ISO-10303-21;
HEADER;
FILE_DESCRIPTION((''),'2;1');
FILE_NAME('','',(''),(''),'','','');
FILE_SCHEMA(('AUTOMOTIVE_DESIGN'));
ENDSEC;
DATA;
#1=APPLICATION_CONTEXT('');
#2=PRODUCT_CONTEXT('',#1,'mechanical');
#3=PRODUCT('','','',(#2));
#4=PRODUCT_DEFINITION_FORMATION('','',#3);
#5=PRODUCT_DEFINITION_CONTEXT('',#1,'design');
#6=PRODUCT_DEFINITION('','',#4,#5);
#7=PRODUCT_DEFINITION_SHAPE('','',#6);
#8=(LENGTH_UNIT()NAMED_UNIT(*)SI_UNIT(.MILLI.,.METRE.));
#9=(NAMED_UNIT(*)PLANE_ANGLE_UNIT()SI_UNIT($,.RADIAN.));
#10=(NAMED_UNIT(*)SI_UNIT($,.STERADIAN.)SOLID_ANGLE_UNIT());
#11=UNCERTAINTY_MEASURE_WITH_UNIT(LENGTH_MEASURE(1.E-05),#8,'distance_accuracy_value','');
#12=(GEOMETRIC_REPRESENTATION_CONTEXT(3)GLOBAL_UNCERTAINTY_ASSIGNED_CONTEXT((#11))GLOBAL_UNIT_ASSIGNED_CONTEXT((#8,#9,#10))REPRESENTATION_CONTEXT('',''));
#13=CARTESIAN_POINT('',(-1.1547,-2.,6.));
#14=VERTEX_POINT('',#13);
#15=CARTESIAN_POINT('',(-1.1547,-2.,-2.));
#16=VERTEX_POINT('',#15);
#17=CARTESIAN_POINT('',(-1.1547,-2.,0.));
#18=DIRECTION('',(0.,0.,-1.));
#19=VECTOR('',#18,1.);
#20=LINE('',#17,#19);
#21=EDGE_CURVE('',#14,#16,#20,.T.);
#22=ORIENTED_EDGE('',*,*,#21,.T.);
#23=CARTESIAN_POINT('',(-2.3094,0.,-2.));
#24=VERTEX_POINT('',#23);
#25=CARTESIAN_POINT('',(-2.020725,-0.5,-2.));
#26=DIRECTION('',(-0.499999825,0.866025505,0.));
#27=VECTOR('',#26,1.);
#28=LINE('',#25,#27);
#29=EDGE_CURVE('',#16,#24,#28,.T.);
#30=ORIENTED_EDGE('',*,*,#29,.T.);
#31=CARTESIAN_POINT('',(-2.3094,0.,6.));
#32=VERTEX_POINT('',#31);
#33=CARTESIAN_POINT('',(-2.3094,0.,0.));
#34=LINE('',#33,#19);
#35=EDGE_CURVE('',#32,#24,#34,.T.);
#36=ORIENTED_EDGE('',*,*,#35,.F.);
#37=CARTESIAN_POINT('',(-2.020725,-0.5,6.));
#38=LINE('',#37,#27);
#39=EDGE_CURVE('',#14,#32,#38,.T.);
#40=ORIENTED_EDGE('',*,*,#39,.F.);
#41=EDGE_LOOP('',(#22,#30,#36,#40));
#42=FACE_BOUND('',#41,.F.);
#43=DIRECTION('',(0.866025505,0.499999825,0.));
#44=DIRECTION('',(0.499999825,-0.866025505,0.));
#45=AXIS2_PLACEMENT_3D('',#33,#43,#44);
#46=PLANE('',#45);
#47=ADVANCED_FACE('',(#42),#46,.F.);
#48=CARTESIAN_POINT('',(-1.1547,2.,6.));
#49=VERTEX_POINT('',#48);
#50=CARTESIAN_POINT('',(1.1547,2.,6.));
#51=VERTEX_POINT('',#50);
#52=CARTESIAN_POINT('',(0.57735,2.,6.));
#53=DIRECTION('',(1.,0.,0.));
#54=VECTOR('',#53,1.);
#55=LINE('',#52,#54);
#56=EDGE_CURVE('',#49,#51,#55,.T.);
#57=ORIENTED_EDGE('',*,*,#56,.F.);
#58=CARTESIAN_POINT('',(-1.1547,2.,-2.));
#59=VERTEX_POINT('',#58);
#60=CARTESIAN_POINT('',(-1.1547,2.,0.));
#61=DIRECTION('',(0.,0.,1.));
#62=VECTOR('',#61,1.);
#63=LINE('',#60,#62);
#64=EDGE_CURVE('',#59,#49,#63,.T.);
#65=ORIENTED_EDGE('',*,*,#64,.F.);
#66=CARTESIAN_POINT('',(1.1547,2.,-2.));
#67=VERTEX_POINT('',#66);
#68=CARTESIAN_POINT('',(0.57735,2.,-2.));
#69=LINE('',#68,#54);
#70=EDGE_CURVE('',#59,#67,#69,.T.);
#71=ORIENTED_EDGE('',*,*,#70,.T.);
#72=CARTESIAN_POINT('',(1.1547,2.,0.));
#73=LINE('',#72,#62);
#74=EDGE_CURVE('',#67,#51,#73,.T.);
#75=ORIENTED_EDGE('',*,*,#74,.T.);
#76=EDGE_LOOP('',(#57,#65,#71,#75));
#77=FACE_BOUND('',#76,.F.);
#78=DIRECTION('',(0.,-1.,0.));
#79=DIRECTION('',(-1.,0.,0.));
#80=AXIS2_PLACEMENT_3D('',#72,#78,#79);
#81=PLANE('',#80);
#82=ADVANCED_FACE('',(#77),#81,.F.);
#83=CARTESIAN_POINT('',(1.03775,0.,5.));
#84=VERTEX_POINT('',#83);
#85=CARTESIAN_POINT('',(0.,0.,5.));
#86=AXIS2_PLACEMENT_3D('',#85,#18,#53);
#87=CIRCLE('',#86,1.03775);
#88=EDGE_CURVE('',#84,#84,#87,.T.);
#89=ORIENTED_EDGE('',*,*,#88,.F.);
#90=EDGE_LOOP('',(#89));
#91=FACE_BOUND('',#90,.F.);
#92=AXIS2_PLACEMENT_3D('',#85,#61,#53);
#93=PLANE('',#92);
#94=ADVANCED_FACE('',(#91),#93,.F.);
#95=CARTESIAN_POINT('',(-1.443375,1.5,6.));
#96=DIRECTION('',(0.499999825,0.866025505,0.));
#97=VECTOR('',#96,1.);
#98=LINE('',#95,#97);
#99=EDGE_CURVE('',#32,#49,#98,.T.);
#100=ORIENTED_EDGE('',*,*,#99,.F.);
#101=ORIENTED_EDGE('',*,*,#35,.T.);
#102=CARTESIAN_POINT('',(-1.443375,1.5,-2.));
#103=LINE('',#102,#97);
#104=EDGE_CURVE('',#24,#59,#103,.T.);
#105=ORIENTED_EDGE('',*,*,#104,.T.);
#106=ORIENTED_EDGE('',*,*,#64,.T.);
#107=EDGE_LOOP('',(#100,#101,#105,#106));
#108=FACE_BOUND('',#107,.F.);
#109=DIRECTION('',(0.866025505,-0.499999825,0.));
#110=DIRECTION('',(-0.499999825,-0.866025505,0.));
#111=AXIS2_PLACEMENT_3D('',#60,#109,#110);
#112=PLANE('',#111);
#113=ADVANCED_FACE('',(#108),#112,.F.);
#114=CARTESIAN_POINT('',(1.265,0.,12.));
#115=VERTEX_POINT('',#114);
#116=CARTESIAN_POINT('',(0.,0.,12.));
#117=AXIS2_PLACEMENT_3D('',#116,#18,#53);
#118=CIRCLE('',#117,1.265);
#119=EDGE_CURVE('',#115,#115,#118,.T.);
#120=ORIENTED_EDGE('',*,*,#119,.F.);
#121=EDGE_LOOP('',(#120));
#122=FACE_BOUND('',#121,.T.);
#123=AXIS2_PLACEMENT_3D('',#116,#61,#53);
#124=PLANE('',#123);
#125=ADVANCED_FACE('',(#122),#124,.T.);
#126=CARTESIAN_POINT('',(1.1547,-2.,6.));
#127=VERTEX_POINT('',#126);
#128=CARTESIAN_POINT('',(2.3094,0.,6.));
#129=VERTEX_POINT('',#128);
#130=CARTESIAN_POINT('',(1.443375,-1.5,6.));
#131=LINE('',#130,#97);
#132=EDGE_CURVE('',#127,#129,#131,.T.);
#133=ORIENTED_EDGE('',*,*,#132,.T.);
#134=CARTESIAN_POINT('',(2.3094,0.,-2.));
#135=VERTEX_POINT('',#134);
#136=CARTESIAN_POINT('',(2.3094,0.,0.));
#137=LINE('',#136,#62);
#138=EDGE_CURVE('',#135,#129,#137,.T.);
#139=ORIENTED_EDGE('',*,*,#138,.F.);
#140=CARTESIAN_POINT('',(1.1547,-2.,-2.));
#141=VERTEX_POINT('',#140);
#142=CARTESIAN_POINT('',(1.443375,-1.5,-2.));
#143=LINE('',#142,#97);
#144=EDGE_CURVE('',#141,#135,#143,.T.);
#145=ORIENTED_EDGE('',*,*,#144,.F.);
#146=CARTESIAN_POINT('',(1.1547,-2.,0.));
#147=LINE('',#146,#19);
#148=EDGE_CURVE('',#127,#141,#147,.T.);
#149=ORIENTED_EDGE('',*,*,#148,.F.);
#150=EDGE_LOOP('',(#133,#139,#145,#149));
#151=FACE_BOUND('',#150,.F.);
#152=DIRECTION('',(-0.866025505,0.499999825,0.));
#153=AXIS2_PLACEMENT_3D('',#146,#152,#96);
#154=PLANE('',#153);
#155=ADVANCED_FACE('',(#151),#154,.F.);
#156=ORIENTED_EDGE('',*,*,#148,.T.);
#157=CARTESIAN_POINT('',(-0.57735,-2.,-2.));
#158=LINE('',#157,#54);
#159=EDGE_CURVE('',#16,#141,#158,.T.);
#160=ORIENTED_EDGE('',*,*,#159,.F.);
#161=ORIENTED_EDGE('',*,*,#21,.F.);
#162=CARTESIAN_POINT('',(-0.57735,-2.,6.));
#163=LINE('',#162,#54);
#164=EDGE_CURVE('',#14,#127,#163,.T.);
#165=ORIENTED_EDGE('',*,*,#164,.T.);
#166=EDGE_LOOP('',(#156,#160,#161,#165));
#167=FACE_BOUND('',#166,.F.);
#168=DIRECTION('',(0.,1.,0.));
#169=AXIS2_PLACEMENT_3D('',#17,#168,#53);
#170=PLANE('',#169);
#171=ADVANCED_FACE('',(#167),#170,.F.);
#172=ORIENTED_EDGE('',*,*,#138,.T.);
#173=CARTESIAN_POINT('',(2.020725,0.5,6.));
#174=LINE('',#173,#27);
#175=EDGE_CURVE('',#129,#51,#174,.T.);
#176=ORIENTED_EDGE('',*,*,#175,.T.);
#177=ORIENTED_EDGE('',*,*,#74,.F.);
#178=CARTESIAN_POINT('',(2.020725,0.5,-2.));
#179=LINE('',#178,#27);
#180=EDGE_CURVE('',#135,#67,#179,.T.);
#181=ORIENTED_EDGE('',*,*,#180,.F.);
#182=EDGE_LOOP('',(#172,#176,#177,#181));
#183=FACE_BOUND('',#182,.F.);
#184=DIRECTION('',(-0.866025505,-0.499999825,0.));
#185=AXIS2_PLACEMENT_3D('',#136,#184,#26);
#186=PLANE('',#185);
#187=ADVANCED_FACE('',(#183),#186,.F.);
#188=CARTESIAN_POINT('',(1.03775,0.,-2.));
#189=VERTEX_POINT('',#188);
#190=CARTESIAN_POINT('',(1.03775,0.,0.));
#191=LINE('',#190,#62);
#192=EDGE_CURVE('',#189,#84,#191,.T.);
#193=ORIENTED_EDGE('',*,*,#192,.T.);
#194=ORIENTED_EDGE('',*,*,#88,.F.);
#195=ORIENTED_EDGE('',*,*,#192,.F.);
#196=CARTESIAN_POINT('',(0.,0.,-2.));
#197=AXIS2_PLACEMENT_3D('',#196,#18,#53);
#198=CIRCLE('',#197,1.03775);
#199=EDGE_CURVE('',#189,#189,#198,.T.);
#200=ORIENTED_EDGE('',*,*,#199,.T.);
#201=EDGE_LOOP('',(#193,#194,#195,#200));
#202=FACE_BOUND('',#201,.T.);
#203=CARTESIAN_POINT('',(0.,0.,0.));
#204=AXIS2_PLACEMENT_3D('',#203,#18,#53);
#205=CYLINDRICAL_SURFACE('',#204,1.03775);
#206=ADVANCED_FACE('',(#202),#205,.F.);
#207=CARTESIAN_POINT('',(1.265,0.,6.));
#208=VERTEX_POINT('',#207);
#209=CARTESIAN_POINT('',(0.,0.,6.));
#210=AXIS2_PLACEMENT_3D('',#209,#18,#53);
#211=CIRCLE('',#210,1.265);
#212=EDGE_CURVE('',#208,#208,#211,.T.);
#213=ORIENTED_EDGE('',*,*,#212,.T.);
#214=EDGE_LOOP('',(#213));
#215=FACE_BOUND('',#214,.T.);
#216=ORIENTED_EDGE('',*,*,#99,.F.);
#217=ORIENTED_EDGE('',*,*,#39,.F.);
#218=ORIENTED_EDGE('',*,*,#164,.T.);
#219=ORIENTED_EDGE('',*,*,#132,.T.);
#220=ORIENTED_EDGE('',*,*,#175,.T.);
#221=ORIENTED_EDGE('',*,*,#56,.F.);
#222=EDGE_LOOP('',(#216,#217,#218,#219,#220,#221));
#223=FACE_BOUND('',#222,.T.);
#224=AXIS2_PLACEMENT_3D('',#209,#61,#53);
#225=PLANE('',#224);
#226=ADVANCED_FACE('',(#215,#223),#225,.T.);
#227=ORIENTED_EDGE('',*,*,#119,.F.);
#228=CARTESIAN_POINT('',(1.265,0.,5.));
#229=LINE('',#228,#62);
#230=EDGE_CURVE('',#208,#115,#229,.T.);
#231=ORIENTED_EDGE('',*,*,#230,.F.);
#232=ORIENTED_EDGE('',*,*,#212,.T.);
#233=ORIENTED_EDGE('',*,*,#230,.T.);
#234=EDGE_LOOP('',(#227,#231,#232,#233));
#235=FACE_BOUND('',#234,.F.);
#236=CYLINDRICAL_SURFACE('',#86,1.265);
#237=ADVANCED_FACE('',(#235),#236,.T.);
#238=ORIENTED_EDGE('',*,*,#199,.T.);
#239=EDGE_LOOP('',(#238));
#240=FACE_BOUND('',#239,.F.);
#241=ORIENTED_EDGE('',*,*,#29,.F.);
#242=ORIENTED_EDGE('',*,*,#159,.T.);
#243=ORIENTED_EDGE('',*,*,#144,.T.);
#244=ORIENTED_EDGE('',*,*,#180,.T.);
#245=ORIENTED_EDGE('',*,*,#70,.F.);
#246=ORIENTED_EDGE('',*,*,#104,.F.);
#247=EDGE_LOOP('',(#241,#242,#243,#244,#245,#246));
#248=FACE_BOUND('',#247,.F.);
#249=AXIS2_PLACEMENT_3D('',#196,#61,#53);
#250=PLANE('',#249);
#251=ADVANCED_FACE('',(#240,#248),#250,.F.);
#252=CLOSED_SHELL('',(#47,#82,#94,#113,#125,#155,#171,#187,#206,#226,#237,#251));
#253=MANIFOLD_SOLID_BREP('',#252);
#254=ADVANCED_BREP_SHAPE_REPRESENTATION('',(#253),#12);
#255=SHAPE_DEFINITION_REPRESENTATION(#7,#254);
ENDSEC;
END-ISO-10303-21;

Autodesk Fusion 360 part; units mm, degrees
sketch "Sketch1" plane through (0, 0, 0) normal (0, 0, 1) x (1, 0, 0)
  circle A0 centre (0, 0) radius 1.25
  line L0 (2.3094, 0) -> (1.1547, 2)
  line L1 (1.1547, 2) -> (-1.1547, 2)
  line L2 (-1.1547, 2) -> (-2.3094, 0)
  line L3 (-2.3094, 0) -> (-1.1547, -2)
  line L4 (-1.1547, -2) -> (1.1547, -2)
  line L5 (1.1547, -2) -> (2.3094, 0)
  dimension "d1" = 2.5
  dimension "d21" = 2
extrude "Extrude6" add sketch "Sketch1" along normal blind 6
extrude "Extrude7" add sketch "Sketch1" along normal blind 7 from surface at 5 contours A0
thread "Thread1" "ISO Metric profile 2.6 M2.6x0.45 M2.6x0.45 6g" major diameter 2.53 minor diameter 2.0162 pitch 0.45 angle 60 resizes the face on face at (1.2438, -0.1245, 8)
thread "Thread2" "ISO Metric profile 2.5 M2.5x0.45 M2.5x0.45 6H" major diameter 2.58 minor diameter 2.0755 pitch 0.45 angle 60 resizes the face on face at (1.2484, 0.0623, 1.6667)
move_face "OffsetFaces2" offset 2 1 faces at (-1.4664, 0.8168, 0)
